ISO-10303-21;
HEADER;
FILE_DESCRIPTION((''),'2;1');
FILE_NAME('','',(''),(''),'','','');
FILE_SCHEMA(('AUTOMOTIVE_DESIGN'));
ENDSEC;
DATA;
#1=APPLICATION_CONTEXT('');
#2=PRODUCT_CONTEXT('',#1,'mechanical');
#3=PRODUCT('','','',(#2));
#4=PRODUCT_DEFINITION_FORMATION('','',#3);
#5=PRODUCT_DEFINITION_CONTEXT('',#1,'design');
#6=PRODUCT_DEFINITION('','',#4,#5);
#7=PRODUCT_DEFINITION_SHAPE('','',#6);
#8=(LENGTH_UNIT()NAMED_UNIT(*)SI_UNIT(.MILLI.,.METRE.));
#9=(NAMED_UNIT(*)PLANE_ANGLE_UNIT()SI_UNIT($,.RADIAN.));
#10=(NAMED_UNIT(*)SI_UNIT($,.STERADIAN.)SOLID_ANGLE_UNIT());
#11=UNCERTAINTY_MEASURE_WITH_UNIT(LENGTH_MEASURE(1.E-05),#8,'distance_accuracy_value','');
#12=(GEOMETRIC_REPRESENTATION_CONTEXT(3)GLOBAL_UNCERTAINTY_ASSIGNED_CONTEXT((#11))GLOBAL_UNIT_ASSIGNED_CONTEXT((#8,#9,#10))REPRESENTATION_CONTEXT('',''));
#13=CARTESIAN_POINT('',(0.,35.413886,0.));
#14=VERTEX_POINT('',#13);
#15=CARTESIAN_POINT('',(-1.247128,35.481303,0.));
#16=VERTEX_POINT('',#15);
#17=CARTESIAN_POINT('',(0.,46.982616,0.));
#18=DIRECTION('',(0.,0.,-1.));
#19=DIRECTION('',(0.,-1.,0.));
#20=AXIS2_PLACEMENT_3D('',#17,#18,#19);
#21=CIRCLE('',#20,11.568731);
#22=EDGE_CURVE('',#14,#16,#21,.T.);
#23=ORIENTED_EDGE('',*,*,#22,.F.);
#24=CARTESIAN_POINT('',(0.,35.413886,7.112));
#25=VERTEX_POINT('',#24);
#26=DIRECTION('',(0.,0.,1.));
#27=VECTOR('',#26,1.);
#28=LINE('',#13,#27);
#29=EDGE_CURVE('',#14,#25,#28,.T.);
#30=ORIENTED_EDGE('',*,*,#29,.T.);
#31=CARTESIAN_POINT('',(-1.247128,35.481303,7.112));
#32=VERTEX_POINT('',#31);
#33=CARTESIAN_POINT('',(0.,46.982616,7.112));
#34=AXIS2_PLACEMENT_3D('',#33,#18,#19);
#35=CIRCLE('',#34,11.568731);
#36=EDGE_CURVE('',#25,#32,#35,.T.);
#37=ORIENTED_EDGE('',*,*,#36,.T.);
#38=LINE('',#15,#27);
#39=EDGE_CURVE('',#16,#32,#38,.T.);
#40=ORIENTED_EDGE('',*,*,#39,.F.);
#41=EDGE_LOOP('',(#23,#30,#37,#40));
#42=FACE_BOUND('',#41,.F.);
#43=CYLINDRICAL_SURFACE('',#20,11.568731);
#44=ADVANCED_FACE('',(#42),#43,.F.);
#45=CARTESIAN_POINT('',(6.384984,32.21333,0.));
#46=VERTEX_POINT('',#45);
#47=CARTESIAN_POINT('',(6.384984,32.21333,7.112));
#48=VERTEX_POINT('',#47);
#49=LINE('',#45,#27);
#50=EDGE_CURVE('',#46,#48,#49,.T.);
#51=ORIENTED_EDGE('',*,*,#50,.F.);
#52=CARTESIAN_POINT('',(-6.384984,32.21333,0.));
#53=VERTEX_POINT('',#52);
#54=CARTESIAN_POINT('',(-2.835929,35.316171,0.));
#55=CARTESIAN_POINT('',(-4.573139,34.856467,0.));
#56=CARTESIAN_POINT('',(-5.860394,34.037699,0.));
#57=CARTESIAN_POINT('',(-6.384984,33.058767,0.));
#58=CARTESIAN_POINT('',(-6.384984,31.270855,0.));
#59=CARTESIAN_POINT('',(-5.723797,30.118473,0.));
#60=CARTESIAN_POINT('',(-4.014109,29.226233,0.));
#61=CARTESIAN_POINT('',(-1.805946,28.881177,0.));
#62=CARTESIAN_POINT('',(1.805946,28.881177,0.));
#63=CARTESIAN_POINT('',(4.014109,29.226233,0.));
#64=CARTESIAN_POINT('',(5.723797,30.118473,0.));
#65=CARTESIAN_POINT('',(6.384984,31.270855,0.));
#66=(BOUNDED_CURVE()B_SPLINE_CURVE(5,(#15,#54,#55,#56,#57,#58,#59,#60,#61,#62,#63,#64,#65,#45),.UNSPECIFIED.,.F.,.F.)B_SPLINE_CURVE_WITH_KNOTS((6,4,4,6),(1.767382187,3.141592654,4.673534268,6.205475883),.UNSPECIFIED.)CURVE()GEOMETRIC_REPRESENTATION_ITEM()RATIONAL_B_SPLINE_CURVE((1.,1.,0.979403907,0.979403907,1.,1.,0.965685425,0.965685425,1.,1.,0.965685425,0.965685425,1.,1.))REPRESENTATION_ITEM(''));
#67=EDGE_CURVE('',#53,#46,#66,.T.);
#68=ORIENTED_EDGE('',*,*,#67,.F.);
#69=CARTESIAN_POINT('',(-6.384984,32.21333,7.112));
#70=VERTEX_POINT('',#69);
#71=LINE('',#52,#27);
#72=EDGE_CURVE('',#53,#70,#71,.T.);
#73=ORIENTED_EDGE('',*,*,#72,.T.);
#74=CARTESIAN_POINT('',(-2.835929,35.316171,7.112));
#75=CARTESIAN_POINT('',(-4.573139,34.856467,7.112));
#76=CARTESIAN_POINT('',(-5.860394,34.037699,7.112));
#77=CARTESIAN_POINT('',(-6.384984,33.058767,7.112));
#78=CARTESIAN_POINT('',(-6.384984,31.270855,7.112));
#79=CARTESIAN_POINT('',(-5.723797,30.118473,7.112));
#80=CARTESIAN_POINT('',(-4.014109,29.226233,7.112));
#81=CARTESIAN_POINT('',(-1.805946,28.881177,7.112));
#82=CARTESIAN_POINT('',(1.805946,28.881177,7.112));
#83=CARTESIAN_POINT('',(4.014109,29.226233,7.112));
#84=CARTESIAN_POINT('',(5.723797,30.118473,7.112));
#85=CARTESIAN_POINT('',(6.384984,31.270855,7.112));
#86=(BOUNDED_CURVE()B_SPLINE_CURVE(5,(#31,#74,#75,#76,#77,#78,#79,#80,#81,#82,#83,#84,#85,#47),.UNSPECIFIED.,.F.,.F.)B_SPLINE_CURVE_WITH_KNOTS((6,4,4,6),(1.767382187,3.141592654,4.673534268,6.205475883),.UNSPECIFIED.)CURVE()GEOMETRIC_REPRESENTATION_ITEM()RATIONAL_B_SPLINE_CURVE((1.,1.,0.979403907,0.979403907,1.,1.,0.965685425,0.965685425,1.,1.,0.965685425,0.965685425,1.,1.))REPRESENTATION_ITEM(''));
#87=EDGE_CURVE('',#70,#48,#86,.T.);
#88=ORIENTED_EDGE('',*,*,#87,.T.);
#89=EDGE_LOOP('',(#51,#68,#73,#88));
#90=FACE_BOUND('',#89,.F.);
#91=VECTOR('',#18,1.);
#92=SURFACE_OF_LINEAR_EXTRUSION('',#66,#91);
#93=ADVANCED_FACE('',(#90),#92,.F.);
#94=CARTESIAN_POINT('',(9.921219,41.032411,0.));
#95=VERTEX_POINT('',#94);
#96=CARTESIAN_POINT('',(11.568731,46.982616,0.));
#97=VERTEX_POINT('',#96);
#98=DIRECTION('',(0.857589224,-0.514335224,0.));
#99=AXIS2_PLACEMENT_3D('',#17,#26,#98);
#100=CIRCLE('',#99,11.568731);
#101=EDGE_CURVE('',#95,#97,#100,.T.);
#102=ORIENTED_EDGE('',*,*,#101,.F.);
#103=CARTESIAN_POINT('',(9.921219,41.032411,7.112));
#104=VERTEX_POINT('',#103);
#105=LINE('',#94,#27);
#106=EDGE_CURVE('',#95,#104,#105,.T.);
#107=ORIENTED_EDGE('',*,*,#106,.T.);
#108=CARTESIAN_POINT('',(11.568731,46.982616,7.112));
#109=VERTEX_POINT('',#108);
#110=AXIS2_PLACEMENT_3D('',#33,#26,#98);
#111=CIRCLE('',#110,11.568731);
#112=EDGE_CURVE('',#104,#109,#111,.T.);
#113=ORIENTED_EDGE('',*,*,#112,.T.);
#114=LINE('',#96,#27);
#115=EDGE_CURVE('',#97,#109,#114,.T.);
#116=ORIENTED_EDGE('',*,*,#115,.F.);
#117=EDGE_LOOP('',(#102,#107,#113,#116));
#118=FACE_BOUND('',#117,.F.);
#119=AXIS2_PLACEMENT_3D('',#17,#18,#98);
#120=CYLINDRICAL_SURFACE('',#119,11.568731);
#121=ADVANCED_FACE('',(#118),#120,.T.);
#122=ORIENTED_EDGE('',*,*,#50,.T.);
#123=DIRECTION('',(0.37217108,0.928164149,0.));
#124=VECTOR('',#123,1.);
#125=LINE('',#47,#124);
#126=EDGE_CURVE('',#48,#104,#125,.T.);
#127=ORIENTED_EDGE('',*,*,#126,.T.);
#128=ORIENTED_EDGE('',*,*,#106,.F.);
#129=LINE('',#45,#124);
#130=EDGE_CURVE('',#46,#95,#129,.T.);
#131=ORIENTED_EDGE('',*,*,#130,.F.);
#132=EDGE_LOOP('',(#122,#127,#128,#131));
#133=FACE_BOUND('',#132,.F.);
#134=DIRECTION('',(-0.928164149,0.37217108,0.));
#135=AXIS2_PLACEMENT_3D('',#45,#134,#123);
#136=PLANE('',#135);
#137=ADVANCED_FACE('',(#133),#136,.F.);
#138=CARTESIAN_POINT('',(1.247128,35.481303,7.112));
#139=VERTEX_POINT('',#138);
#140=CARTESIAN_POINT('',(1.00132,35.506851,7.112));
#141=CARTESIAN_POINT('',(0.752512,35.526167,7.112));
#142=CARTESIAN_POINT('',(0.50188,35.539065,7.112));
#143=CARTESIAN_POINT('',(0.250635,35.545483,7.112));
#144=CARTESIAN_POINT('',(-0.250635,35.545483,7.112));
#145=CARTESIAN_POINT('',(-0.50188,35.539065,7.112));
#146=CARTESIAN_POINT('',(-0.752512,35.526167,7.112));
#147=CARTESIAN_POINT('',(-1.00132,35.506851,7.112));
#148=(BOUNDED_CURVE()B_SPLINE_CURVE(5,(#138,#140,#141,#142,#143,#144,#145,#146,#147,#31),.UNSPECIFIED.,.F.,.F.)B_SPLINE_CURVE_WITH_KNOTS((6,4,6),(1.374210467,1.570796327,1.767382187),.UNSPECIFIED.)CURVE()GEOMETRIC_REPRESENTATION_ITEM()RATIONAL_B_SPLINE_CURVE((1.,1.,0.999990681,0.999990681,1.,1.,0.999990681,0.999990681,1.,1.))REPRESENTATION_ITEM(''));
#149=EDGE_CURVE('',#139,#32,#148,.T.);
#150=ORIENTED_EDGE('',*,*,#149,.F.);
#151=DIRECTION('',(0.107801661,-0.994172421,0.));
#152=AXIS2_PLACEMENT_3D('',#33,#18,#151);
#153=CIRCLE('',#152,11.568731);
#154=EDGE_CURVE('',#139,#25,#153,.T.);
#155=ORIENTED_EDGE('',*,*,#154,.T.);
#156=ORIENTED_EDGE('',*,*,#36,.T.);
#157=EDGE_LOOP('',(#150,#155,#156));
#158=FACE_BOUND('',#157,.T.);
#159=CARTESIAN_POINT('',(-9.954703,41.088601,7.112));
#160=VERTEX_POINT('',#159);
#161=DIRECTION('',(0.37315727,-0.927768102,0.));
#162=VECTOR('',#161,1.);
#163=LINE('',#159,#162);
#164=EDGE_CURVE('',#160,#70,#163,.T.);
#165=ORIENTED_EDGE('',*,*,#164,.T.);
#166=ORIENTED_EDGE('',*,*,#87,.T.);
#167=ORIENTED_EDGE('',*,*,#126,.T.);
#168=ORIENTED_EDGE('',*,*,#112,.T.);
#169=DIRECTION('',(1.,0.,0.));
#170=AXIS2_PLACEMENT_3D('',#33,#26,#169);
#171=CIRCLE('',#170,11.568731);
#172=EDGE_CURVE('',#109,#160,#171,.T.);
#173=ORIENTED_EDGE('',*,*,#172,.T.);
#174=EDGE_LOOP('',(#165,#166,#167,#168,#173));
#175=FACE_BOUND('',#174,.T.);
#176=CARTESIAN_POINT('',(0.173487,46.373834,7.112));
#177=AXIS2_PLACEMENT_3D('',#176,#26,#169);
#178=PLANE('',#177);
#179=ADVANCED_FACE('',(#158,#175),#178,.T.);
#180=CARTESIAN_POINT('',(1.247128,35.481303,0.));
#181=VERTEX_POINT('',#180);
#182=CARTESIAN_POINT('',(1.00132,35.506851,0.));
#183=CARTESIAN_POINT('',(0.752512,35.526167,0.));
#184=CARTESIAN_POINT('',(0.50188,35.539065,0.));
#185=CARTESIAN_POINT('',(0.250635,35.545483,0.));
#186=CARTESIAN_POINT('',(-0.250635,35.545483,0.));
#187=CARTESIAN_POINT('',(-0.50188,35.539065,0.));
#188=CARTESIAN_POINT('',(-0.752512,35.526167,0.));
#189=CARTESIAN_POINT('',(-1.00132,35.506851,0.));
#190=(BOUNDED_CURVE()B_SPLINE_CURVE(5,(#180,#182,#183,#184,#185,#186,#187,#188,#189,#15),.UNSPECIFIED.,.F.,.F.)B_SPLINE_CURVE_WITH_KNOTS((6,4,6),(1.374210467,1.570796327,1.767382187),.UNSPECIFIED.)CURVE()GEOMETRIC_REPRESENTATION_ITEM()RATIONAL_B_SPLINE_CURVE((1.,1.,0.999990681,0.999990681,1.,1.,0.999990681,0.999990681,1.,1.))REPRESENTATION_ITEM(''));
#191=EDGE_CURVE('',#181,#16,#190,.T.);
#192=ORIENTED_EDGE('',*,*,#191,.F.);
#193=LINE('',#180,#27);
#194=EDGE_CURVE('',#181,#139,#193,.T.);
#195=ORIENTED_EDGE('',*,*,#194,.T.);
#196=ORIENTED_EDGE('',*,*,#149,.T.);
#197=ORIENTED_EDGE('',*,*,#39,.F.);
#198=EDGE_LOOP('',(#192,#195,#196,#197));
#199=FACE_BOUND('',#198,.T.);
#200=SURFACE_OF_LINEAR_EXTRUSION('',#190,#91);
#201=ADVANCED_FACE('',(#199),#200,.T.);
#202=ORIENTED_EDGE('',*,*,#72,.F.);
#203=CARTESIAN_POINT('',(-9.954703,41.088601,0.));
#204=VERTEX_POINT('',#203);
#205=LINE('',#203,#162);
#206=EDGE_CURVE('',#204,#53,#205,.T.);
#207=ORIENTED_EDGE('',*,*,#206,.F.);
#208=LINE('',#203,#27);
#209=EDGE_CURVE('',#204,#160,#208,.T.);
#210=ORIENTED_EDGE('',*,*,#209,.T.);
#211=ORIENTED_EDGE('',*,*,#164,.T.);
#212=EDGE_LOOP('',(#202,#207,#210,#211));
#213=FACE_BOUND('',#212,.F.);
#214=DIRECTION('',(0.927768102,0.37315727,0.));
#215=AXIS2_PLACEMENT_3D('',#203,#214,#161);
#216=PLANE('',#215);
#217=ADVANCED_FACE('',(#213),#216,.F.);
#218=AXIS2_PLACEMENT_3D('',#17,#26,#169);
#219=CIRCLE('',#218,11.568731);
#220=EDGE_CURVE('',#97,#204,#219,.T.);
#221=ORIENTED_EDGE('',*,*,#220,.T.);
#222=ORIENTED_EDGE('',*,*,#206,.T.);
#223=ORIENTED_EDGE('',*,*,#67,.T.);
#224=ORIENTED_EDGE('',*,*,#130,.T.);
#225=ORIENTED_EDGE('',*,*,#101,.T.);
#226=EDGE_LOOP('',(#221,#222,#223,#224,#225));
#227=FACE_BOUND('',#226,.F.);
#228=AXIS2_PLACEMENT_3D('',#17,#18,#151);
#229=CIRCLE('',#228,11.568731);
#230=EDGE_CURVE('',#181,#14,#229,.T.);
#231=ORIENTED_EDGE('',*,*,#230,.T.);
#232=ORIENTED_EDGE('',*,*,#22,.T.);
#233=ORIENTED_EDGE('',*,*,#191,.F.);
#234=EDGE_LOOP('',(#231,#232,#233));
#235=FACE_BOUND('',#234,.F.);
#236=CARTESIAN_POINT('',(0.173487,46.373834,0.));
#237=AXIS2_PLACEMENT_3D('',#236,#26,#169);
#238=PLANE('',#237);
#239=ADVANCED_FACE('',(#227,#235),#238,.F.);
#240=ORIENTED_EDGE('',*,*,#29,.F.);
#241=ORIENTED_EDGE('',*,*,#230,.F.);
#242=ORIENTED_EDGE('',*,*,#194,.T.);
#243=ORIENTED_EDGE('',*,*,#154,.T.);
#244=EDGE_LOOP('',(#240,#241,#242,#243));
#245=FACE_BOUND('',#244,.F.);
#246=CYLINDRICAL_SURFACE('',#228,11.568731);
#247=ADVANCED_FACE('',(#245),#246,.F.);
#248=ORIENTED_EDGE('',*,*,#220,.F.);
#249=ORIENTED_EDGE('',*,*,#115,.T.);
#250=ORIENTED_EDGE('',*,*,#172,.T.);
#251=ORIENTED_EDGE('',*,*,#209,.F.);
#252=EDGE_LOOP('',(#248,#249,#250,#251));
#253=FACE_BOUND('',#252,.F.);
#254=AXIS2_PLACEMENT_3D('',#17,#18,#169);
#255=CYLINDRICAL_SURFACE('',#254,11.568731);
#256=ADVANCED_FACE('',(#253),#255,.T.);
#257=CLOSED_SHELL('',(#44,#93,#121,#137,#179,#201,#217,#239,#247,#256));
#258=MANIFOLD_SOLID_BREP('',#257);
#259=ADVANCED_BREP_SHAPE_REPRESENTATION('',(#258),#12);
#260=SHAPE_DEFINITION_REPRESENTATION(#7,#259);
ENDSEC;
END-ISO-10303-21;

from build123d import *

# Parameters (mm, degrees)
F1_DEPTH = 7.112


with BuildPart() as f1:
    # F0 (on Top) → F1 (new body)
    with BuildSketch(Plane.XY):
        with BuildLine():
            ThreePointArc((9.9212187359, 41.0324105262), (11.1492474134, 43.8955770357), (11.5687306391, 46.9826161861))
            ThreePointArc((11.5687306391, 46.9826161861), (-3.0555074079, 58.1405462398), (-9.9547029967, 41.0886008444))
            ThreePointArc((-9.9547029967, 41.0886008444), (-6.2634417983, 37.256114994), (-1.247128383, 35.4813032438))
            add(Edge.make_bspline(
                [(0, 35.5454833462), (-0.6296277747, 35.5454833462), (-1.247128383, 35.4813032438)],
                knots=[1.5707963268, 1.5707963268, 1.5707963268, 1.7673821866, 1.7673821866, 1.7673821866], degree=2, weights=[1, 0.9951731381, 1]))
            add(Edge.make_bspline(
                [(1.247128383, 35.4813032438), (0.6296277747, 35.5454833462), (0, 35.5454833462)],
                knots=[1.374210467, 1.374210467, 1.374210467, 1.5707963268, 1.5707963268, 1.5707963268], degree=2, weights=[1, 0.9951731381, 1]))
            ThreePointArc((1.247128383, 35.4813032438), (6.2359195278, 37.2384468401), (9.9212187359, 41.0324105262))
        make_face()
        with BuildLine():
            Line((6.3849836588, 32.2133302689), (9.9212187359, 41.0324105262))
            ThreePointArc((9.9212187359, 41.0324105262), (6.2359195278, 37.2384468401), (1.247128383, 35.4813032438))
            add(Edge.make_bspline(
                [(6.3849836588, 32.2133302689), (6.3849836588, 34.9472987861), (1.247128383, 35.4813032438)],
                knots=[0, 0, 0, 1.374210467, 1.374210467, 1.374210467], degree=2, weights=[1, 0.7730854075, 1]))
        make_face()
        with BuildLine():
            ThreePointArc((0, 35.413885547), (-0.6244746491, 35.4307522667), (-1.247128383, 35.4813032438))
            add(Edge.make_bspline(
                [(-1.247128383, 35.4813032438), (-6.3849836588, 34.9472987861), (-6.3849836588, 32.2133302689)],
                knots=[1.7673821866, 1.7673821866, 1.7673821866, 3.1415926536, 3.1415926536, 3.1415926536], degree=2, weights=[1, 0.7730854075, 1]))
            Line((-6.3849836588, 32.2133302689), (0, 32.2133302689))
            Line((0, 32.2133302689), (0, 35.413885547))
        make_face()
        with BuildLine():
            add(Edge.make_bspline(
                [(6.3849836588, 32.2133302689), (6.3849836588, 34.9472987861), (1.247128383, 35.4813032438)],
                knots=[0, 0, 0, 1.374210467, 1.374210467, 1.374210467], degree=2, weights=[1, 0.7730854075, 1]))
            ThreePointArc((1.247128383, 35.4813032438), (0.6244746491, 35.4307522667), (0, 35.413885547))
            Line((0, 35.413885547), (0, 32.2133302689))
            Line((0, 32.2133302689), (6.3849836588, 32.2133302689))
        make_face()
        with BuildLine():
            Line((0, 32.2133302689), (-6.3849836588, 32.2133302689))
            add(Edge.make_bspline(
                [(-6.3849836588, 32.2133302689), (-6.3849836588, 28.8811771916), (0, 28.8811771916), (6.3849836588, 28.8811771916), (6.3849836588, 32.2133302689)],
                knots=[3.1415926536, 3.1415926536, 3.1415926536, 4.7123889804, 4.7123889804, 6.2831853072, 6.2831853072, 6.2831853072], degree=2, weights=[1, 0.7071067812, 1, 0.7071067812, 1]))
            Line((6.3849836588, 32.2133302689), (0, 32.2133302689))
        make_face()
        with BuildLine():
            ThreePointArc((-1.247128383, 35.4813032438), (-6.2634417983, 37.256114994), (-9.9547029967, 41.0886008444))
            Line((-9.9547029967, 41.0886008444), (-6.3849836588, 32.2133302689))
            add(Edge.make_bspline(
                [(-1.247128383, 35.4813032438), (-6.3849836588, 34.9472987861), (-6.3849836588, 32.2133302689)],
                knots=[1.7673821866, 1.7673821866, 1.7673821866, 3.1415926536, 3.1415926536, 3.1415926536], degree=2, weights=[1, 0.7730854075, 1]))
        make_face()
    extrude(amount=F1_DEPTH)


solid = f1.part
